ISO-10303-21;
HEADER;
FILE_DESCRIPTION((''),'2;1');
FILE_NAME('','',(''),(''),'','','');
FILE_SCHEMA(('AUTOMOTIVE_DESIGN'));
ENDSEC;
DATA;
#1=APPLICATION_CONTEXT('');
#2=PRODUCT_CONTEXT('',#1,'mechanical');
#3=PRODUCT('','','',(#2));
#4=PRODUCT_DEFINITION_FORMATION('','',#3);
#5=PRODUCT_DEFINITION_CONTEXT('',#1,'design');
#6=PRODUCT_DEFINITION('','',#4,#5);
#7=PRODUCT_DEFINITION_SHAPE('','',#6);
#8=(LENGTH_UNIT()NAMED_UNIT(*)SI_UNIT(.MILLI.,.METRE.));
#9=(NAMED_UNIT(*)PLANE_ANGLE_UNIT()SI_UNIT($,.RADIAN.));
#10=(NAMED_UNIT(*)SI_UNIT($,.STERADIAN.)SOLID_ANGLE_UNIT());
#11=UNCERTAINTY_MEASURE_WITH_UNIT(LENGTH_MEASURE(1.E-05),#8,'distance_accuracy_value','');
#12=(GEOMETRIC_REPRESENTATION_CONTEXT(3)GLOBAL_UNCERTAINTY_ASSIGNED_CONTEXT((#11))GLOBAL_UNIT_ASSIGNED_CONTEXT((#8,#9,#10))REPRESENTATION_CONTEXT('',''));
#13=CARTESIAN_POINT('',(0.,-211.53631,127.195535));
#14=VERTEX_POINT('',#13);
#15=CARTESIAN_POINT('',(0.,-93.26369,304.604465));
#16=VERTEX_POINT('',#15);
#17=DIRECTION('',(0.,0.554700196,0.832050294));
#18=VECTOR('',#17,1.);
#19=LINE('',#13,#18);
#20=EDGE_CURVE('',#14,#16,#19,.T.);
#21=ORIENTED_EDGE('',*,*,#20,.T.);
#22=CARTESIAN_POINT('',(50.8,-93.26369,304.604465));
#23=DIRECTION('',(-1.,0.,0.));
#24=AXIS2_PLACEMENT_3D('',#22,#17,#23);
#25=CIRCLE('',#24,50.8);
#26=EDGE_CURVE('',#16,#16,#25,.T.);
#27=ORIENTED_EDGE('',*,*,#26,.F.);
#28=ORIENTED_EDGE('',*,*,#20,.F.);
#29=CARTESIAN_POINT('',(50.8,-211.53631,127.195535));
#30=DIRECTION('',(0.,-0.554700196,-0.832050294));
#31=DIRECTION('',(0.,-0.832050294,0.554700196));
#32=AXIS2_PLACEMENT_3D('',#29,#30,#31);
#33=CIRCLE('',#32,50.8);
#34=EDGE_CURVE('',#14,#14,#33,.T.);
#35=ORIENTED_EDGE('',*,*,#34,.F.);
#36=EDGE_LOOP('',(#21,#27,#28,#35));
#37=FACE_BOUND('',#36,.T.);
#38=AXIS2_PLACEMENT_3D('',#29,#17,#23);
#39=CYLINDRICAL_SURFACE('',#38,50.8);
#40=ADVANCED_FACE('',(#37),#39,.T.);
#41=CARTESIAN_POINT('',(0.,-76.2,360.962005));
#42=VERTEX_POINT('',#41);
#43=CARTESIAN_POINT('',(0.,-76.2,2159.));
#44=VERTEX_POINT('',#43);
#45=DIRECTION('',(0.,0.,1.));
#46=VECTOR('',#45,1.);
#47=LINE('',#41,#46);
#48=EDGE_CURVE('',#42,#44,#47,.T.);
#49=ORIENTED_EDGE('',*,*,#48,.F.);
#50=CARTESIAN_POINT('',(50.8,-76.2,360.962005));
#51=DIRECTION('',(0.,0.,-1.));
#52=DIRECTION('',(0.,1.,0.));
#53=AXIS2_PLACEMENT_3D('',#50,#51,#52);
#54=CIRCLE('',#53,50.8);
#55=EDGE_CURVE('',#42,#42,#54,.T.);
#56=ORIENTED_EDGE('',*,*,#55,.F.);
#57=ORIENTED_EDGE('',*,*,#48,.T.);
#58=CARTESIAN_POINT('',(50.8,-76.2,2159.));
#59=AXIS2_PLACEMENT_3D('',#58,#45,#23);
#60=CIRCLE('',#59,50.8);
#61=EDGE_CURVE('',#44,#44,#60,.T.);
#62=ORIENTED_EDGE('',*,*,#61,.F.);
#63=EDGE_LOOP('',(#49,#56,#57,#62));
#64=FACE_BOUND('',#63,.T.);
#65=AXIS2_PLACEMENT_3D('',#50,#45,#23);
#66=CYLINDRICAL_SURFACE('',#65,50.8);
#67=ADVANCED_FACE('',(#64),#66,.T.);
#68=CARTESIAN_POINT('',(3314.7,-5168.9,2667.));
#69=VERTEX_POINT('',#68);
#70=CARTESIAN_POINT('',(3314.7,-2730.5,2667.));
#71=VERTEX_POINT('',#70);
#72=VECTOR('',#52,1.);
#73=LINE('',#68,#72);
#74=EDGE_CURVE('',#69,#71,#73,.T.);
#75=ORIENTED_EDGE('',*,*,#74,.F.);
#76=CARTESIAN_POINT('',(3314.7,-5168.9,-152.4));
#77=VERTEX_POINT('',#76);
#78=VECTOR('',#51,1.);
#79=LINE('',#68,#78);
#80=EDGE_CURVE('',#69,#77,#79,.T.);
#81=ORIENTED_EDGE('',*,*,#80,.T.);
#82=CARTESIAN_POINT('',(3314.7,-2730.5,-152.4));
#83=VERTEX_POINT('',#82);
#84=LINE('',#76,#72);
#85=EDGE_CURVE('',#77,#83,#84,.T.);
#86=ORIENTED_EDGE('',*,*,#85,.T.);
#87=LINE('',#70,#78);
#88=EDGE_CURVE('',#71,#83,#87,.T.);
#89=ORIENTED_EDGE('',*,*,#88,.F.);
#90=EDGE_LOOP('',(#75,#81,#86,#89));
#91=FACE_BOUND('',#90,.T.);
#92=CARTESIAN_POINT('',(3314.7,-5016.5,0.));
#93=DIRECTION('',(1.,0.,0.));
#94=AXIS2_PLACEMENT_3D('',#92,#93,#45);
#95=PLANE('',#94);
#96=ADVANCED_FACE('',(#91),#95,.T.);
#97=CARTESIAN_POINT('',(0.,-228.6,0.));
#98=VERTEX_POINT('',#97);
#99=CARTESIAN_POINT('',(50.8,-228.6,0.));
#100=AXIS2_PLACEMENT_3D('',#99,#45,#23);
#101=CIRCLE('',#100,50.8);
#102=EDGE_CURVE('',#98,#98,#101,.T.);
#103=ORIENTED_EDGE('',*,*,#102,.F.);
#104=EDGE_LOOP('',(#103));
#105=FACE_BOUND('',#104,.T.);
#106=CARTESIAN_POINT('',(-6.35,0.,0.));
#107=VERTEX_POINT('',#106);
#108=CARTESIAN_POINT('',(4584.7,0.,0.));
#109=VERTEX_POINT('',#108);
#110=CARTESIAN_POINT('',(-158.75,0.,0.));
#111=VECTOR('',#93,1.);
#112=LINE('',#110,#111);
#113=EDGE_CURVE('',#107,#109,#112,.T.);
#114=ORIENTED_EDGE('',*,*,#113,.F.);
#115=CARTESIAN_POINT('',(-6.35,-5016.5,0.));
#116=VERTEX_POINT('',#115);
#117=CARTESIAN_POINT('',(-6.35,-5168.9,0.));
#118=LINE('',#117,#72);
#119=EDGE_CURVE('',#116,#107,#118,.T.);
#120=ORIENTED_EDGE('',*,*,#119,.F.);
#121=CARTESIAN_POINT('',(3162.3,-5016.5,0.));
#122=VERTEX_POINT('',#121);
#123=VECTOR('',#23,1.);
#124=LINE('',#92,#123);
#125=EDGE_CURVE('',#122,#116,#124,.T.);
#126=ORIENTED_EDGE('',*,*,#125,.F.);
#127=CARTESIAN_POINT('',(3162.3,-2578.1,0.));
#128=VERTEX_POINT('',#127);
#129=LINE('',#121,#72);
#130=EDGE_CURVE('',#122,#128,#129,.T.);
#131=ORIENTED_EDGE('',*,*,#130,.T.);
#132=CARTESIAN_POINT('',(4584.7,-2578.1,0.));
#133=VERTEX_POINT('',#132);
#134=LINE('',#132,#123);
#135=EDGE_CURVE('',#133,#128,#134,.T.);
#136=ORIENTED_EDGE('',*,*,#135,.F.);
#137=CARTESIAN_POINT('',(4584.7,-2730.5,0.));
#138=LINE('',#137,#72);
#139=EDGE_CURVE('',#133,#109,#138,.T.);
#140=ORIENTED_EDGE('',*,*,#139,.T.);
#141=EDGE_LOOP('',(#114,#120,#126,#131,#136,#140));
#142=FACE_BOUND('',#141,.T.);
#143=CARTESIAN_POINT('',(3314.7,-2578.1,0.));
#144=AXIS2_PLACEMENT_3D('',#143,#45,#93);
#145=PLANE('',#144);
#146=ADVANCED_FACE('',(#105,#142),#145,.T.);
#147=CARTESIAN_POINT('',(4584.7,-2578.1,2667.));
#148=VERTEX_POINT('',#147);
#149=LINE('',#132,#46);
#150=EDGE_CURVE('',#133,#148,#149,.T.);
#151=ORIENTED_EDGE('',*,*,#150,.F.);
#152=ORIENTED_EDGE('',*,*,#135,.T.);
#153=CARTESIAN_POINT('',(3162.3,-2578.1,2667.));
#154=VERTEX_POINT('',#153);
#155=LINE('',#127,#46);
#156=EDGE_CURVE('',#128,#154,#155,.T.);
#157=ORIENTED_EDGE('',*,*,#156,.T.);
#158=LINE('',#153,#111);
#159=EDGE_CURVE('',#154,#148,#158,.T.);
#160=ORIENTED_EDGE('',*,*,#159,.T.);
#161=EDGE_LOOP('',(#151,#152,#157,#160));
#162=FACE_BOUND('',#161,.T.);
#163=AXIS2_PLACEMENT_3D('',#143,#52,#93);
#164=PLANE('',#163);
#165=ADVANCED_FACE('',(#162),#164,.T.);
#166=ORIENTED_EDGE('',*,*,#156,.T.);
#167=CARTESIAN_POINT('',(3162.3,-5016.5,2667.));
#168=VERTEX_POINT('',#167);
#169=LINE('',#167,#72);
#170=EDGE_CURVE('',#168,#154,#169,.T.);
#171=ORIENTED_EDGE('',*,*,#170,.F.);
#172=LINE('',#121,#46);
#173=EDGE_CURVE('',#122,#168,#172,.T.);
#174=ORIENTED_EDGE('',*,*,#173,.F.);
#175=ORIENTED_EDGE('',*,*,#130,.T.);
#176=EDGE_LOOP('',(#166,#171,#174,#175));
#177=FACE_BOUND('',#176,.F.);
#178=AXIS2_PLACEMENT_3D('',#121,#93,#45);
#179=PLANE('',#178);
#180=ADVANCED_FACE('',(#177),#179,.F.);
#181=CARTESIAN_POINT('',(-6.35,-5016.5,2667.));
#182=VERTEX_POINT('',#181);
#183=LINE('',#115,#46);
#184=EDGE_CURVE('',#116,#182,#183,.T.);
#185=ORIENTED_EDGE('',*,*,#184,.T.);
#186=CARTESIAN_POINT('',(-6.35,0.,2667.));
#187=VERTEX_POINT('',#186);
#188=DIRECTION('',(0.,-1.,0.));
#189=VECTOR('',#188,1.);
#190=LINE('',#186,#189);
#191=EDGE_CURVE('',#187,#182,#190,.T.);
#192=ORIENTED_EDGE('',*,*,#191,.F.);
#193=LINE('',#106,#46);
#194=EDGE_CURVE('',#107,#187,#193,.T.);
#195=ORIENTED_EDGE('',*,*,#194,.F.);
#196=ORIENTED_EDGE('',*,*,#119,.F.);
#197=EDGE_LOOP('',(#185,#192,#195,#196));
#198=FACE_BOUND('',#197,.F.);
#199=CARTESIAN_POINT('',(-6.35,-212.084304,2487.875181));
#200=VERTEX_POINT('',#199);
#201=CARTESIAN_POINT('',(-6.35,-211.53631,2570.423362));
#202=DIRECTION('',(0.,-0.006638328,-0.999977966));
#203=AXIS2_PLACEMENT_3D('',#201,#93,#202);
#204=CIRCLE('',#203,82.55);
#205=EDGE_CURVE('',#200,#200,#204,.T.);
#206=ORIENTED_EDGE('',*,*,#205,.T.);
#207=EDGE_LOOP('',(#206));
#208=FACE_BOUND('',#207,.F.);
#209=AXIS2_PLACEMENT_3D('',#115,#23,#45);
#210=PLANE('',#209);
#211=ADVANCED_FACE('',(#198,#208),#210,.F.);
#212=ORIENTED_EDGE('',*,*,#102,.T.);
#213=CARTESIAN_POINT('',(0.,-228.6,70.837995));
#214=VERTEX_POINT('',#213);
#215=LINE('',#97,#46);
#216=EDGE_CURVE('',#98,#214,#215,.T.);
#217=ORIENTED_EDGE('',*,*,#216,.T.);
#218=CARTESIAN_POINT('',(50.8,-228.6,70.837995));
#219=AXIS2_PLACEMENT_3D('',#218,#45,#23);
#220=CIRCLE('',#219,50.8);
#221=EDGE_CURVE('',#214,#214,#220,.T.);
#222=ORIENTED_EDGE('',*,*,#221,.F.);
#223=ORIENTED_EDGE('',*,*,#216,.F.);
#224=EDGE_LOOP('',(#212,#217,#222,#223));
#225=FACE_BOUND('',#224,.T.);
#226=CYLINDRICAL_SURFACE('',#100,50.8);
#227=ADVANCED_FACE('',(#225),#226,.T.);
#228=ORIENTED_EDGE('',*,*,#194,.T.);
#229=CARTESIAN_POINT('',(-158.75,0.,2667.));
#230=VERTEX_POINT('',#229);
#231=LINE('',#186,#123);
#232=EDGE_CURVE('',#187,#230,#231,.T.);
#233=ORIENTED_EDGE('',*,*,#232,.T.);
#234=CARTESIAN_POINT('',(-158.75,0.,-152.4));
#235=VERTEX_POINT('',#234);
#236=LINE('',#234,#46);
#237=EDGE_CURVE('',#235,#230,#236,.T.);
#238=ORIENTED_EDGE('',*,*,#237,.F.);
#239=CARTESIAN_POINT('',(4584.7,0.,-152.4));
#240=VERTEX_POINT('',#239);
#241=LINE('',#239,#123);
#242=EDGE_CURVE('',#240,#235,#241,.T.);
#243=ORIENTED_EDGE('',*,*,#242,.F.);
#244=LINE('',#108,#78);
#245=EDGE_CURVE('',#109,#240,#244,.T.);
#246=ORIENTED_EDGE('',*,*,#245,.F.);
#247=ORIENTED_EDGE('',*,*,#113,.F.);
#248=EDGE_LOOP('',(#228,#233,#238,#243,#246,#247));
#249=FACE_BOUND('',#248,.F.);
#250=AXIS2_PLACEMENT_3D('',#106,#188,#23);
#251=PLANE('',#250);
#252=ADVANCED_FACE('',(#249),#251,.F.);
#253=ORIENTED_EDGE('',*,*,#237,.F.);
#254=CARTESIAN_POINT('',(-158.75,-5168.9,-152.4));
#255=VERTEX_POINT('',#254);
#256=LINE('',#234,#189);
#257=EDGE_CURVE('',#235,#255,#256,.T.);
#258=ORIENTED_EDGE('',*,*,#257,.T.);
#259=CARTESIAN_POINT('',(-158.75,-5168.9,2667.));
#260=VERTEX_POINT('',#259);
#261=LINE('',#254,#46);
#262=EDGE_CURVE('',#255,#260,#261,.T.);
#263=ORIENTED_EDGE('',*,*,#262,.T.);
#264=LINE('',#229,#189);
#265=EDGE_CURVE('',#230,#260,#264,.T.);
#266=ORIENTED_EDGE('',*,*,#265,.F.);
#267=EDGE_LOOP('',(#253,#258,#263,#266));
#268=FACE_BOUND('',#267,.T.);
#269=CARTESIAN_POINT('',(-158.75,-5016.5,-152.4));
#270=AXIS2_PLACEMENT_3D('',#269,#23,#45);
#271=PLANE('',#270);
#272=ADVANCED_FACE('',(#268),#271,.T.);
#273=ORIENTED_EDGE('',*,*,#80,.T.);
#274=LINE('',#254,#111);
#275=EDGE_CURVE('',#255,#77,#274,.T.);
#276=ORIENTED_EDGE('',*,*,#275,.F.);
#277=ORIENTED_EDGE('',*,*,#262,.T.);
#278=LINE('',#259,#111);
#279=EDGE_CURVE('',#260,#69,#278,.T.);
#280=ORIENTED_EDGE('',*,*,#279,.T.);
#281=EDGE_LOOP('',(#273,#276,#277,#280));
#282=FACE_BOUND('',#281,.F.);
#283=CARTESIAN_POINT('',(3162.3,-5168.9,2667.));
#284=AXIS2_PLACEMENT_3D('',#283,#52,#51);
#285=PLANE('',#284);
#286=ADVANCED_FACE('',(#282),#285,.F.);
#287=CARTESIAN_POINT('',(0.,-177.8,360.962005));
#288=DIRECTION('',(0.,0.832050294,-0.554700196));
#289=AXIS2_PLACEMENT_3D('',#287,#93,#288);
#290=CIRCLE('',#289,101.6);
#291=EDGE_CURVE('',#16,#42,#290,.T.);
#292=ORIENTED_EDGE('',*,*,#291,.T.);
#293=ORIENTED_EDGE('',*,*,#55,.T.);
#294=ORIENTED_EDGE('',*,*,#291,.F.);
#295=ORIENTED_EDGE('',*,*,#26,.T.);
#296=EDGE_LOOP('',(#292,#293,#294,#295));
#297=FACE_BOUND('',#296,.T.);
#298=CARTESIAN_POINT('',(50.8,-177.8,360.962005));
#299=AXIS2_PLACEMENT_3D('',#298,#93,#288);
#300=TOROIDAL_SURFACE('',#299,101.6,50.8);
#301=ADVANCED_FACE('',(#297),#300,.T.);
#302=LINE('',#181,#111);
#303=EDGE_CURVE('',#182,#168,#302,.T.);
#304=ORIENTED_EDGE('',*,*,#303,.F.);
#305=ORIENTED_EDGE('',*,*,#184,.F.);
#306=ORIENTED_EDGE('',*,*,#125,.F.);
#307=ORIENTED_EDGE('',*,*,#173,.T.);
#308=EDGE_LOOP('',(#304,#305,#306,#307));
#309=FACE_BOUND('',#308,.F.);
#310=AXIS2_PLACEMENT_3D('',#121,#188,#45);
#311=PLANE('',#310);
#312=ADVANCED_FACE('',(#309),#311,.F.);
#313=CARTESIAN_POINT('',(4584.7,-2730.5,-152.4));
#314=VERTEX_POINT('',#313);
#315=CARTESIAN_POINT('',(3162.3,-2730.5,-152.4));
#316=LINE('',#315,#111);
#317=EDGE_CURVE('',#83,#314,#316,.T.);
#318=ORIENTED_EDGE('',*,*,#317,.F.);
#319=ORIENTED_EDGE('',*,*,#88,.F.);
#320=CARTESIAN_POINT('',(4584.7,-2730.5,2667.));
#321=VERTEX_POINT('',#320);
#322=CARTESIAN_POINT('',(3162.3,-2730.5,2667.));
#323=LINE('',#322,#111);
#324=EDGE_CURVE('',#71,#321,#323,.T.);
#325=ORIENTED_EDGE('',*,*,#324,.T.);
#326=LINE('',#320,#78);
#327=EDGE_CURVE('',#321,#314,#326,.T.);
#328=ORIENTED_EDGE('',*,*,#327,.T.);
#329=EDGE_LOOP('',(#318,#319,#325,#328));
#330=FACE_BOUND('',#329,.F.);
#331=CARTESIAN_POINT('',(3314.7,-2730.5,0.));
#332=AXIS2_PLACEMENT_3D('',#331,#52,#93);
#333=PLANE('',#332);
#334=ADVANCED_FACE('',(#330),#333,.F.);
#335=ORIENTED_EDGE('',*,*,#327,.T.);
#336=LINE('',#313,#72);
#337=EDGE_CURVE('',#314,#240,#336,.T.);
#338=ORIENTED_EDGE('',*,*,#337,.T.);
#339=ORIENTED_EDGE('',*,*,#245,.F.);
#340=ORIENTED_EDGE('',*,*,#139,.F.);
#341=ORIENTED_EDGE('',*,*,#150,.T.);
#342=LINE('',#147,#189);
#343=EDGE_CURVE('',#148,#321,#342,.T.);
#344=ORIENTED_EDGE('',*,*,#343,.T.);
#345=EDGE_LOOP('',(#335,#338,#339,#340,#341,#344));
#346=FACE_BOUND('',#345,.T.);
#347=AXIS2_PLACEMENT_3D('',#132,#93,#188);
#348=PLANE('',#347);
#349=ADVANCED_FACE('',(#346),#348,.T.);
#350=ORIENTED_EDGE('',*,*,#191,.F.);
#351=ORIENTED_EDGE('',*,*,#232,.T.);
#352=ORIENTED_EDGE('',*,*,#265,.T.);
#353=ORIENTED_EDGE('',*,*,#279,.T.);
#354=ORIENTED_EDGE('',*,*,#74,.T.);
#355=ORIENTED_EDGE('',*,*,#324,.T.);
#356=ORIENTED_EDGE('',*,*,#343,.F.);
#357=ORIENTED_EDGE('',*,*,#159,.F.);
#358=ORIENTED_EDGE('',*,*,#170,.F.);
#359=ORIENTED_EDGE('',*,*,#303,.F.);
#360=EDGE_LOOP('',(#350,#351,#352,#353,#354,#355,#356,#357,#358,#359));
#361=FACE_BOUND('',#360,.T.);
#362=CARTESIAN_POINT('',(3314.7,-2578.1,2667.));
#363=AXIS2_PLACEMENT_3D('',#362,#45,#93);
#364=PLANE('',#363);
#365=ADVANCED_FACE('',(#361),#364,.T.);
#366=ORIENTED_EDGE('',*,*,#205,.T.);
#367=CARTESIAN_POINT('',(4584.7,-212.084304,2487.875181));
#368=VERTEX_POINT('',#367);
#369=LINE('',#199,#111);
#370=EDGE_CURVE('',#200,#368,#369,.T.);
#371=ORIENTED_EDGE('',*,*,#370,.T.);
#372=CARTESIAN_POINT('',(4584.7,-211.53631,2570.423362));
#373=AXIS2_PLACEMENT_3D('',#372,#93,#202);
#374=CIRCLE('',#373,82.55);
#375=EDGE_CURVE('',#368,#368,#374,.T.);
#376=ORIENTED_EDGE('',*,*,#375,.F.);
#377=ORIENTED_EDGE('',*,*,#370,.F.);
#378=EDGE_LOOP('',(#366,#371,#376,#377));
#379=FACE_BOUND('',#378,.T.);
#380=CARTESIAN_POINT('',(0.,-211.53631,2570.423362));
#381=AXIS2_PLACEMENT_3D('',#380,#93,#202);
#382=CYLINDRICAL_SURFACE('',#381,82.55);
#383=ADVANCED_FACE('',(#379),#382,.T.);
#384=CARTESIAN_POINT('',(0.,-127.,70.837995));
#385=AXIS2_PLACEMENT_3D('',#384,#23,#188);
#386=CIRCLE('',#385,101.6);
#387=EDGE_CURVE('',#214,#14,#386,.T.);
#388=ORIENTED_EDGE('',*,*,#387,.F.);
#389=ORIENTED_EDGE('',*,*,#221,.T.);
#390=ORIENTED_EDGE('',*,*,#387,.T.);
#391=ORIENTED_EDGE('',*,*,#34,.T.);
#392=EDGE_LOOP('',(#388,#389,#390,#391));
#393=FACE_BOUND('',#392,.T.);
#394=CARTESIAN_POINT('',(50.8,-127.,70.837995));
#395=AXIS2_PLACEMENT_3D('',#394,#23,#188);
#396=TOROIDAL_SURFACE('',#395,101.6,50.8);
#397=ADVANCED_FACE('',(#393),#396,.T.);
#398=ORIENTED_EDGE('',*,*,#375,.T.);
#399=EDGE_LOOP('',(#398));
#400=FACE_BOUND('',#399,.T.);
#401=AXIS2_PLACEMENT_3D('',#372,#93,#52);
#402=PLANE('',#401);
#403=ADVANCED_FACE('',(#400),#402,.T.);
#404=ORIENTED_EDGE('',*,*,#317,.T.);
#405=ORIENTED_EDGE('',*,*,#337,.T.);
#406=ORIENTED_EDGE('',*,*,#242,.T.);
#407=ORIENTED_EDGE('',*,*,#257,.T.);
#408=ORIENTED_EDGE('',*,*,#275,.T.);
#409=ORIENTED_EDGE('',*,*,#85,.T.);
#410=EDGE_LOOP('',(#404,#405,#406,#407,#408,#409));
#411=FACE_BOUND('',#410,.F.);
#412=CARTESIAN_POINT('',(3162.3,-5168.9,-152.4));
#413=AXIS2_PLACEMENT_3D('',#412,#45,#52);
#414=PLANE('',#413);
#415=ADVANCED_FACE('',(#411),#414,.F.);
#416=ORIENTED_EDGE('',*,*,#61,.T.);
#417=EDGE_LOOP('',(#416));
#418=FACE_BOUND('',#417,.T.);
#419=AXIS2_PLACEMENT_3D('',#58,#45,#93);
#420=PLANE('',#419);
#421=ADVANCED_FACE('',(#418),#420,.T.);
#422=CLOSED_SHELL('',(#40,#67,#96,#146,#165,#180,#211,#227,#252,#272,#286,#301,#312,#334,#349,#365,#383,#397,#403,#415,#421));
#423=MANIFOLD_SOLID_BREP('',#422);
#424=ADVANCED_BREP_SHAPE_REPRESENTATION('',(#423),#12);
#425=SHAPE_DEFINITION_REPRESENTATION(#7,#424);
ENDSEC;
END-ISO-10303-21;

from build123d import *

# Parameters (mm, degrees)
F3_DEPTH  = 152.4
F4_DEPTH  = 6.35
F5_DEPTH  = 152.4
F6_DEPTH  = 2667
F7_DEPTH  = 4584.7
F8_DEPTH  = 152.4
F9_DEPTH  = 152.4
F10_DEPTH = 2667
F11_DEPTH = 152.4
F12_DEPTH = 2438.4
F13_DEPTH = 152.4
F14_DEPTH = 2667


with BuildPart() as f2:
    # F2: sweep along a path in F1
    with BuildLine(Plane.YZ) as f2_path:
        Line((-228.6, 0), (-228.6, 70.8379952064))
        ThreePointArc((-228.6, 70.8379952064), (-224.2405498913, 100.2800647132), (-211.5363099047, 127.1955351429))
        Line((-211.5363099047, 127.1955351429), (-93.2636900953, 304.6044648571))
        ThreePointArc((-93.2636900953, 304.6044648571), (-80.5594501087, 331.5199352868), (-76.2, 360.9620047936))
        Line((-76.2, 360.9620047936), (-76.2, 2159))
    # F0 (on Top) → F2 (sweep)
    with BuildSketch(Plane.XY):
        with BuildLine():
            ThreePointArc((101.6, -228.6), (50.8, -177.8), (0, -228.6))
            ThreePointArc((0, -228.6), (50.8, -279.4), (101.6, -228.6))
        make_face()
    sweep(path=f2_path.line)

    # F0 (on Top) → F3 (join)
    with BuildSketch(Plane.XY):
        Polygon((4584.7, 0), (0, 0), (0, -228.6), (0, -5016.5), (3162.3, -5016.5), (3162.3, -2578.1), (4584.7, -2578.1), align=None)
        with BuildLine():
            ThreePointArc((101.6, -228.6), (50.8, -279.4), (0, -228.6))
            ThreePointArc((0, -228.6), (50.8, -177.8), (101.6, -228.6))
        make_face(mode=Mode.SUBTRACT)
        with BuildLine():
            ThreePointArc((101.6, -228.6), (50.8, -177.8), (0, -228.6))
            ThreePointArc((0, -228.6), (50.8, -279.4), (101.6, -228.6))
        make_face()
    extrude(amount=-F3_DEPTH)

    # F4 (add): a face of the model
    f4_faces = [f2.faces().sort_by_distance(p)[0] for p in [
        (0, -2508.25, -76.2),
    ]]
    extrude(f4_faces, amount=F4_DEPTH)


with BuildPart() as f5:
    # F5 (new): a face of the model
    f5_faces = [f2.part.faces().sort_by_distance(p)[0] for p in [
        (-6.35, -2508.25, -76.2),
    ]]
    extrude(f5_faces, amount=F5_DEPTH)


with BuildPart() as f2_1:
    add(f2.part)

    # F6 (add): a face of the model
    f6_faces = [f5.part.faces().sort_by_distance(p)[0] for p in [
        (-82.55, -2508.25, 0),
    ]]

    add(f5.part)  # F6 merges F5
    extrude(f6_faces, amount=F6_DEPTH)



with BuildPart() as f7:
    # F1 (on Right) → F7 (new body, through all)
    with BuildSketch(Plane.YZ):
        with BuildLine():
            ThreePointArc((-128.9863099047, 2570.4233621877), (-269.7139069473, 2628.9884516383), (-212.0843039048, 2487.8751810898))
            ThreePointArc((-212.0843039048, 2487.8751810898), (-153.3587128622, 2511.8582727371), (-128.9863099047, 2570.4233621877))
        make_face()
    extrude(amount=F7_DEPTH)


with BuildPart() as f2_2:
    add(f2_1.part)

    add(f7.part)  # F8 merges F7
    # F1 (on Right) → F8 (join)
    with BuildSketch(Plane.YZ):
        with BuildLine():
            ThreePointArc((-128.9863099047, 2570.4233621877), (-269.7139069473, 2628.9884516383), (-212.0843039048, 2487.8751810898))
            ThreePointArc((-212.0843039048, 2487.8751810898), (-153.3587128622, 2511.8582727371), (-128.9863099047, 2570.4233621877))
        make_face()
    extrude(amount=-F8_DEPTH)


with BuildPart() as f9:
    # F9 (new): a face of the model
    f9_faces = [f2_2.part.faces().sort_by_distance(p)[0] for p in [
        (1501.775, -5016.5, -108.8358066039),
    ]]
    extrude(f9_faces, amount=F9_DEPTH)


with BuildPart() as f2_3:
    add(f2_2.part)

    # F10 (add, through all): a face of the model
    f10_faces = [f9.part.faces().sort_by_distance(p)[0] for p in [
        (1577.975, -5092.7, 0),
    ]]

    add(f9.part)  # F10 merges F9
    extrude(f10_faces, amount=F10_DEPTH)


with BuildPart() as f11:
    # F11 (new): a face of the model
    f11_faces = [f2_3.part.faces().sort_by_distance(p)[0] for p in [
        (3162.3, -3873.5, -114.1099738835),
    ]]
    extrude(f11_faces, amount=F11_DEPTH)


with BuildPart() as f2_4:
    add(f2_3.part)

    # F12 (add, through all): a face of the model
    f12_faces = [f11.part.faces().sort_by_distance(p)[0] for p in [
        (3238.5, -5016.5, 1333.5),
    ]]

    add(f11.part)  # F12 merges F11
    extrude(f12_faces, amount=F12_DEPTH)


with BuildPart() as f13:
    # F13 (new): a face of the model
    f13_faces = [f2_4.part.faces().sort_by_distance(p)[0] for p in [
        (3949.7, -2578.1, -76.2),
    ]]
    extrude(f13_faces, amount=F13_DEPTH)


with BuildPart() as f2_5:
    add(f2_4.part)

    # F14 (add, through all): a face of the model
    f14_faces = [f13.part.faces().sort_by_distance(p)[0] for p in [
        (3949.7, -2654.3, 0),
    ]]

    add(f13.part)  # F14 merges F13
    extrude(f14_faces, amount=F14_DEPTH)


solid = f2_5.part
